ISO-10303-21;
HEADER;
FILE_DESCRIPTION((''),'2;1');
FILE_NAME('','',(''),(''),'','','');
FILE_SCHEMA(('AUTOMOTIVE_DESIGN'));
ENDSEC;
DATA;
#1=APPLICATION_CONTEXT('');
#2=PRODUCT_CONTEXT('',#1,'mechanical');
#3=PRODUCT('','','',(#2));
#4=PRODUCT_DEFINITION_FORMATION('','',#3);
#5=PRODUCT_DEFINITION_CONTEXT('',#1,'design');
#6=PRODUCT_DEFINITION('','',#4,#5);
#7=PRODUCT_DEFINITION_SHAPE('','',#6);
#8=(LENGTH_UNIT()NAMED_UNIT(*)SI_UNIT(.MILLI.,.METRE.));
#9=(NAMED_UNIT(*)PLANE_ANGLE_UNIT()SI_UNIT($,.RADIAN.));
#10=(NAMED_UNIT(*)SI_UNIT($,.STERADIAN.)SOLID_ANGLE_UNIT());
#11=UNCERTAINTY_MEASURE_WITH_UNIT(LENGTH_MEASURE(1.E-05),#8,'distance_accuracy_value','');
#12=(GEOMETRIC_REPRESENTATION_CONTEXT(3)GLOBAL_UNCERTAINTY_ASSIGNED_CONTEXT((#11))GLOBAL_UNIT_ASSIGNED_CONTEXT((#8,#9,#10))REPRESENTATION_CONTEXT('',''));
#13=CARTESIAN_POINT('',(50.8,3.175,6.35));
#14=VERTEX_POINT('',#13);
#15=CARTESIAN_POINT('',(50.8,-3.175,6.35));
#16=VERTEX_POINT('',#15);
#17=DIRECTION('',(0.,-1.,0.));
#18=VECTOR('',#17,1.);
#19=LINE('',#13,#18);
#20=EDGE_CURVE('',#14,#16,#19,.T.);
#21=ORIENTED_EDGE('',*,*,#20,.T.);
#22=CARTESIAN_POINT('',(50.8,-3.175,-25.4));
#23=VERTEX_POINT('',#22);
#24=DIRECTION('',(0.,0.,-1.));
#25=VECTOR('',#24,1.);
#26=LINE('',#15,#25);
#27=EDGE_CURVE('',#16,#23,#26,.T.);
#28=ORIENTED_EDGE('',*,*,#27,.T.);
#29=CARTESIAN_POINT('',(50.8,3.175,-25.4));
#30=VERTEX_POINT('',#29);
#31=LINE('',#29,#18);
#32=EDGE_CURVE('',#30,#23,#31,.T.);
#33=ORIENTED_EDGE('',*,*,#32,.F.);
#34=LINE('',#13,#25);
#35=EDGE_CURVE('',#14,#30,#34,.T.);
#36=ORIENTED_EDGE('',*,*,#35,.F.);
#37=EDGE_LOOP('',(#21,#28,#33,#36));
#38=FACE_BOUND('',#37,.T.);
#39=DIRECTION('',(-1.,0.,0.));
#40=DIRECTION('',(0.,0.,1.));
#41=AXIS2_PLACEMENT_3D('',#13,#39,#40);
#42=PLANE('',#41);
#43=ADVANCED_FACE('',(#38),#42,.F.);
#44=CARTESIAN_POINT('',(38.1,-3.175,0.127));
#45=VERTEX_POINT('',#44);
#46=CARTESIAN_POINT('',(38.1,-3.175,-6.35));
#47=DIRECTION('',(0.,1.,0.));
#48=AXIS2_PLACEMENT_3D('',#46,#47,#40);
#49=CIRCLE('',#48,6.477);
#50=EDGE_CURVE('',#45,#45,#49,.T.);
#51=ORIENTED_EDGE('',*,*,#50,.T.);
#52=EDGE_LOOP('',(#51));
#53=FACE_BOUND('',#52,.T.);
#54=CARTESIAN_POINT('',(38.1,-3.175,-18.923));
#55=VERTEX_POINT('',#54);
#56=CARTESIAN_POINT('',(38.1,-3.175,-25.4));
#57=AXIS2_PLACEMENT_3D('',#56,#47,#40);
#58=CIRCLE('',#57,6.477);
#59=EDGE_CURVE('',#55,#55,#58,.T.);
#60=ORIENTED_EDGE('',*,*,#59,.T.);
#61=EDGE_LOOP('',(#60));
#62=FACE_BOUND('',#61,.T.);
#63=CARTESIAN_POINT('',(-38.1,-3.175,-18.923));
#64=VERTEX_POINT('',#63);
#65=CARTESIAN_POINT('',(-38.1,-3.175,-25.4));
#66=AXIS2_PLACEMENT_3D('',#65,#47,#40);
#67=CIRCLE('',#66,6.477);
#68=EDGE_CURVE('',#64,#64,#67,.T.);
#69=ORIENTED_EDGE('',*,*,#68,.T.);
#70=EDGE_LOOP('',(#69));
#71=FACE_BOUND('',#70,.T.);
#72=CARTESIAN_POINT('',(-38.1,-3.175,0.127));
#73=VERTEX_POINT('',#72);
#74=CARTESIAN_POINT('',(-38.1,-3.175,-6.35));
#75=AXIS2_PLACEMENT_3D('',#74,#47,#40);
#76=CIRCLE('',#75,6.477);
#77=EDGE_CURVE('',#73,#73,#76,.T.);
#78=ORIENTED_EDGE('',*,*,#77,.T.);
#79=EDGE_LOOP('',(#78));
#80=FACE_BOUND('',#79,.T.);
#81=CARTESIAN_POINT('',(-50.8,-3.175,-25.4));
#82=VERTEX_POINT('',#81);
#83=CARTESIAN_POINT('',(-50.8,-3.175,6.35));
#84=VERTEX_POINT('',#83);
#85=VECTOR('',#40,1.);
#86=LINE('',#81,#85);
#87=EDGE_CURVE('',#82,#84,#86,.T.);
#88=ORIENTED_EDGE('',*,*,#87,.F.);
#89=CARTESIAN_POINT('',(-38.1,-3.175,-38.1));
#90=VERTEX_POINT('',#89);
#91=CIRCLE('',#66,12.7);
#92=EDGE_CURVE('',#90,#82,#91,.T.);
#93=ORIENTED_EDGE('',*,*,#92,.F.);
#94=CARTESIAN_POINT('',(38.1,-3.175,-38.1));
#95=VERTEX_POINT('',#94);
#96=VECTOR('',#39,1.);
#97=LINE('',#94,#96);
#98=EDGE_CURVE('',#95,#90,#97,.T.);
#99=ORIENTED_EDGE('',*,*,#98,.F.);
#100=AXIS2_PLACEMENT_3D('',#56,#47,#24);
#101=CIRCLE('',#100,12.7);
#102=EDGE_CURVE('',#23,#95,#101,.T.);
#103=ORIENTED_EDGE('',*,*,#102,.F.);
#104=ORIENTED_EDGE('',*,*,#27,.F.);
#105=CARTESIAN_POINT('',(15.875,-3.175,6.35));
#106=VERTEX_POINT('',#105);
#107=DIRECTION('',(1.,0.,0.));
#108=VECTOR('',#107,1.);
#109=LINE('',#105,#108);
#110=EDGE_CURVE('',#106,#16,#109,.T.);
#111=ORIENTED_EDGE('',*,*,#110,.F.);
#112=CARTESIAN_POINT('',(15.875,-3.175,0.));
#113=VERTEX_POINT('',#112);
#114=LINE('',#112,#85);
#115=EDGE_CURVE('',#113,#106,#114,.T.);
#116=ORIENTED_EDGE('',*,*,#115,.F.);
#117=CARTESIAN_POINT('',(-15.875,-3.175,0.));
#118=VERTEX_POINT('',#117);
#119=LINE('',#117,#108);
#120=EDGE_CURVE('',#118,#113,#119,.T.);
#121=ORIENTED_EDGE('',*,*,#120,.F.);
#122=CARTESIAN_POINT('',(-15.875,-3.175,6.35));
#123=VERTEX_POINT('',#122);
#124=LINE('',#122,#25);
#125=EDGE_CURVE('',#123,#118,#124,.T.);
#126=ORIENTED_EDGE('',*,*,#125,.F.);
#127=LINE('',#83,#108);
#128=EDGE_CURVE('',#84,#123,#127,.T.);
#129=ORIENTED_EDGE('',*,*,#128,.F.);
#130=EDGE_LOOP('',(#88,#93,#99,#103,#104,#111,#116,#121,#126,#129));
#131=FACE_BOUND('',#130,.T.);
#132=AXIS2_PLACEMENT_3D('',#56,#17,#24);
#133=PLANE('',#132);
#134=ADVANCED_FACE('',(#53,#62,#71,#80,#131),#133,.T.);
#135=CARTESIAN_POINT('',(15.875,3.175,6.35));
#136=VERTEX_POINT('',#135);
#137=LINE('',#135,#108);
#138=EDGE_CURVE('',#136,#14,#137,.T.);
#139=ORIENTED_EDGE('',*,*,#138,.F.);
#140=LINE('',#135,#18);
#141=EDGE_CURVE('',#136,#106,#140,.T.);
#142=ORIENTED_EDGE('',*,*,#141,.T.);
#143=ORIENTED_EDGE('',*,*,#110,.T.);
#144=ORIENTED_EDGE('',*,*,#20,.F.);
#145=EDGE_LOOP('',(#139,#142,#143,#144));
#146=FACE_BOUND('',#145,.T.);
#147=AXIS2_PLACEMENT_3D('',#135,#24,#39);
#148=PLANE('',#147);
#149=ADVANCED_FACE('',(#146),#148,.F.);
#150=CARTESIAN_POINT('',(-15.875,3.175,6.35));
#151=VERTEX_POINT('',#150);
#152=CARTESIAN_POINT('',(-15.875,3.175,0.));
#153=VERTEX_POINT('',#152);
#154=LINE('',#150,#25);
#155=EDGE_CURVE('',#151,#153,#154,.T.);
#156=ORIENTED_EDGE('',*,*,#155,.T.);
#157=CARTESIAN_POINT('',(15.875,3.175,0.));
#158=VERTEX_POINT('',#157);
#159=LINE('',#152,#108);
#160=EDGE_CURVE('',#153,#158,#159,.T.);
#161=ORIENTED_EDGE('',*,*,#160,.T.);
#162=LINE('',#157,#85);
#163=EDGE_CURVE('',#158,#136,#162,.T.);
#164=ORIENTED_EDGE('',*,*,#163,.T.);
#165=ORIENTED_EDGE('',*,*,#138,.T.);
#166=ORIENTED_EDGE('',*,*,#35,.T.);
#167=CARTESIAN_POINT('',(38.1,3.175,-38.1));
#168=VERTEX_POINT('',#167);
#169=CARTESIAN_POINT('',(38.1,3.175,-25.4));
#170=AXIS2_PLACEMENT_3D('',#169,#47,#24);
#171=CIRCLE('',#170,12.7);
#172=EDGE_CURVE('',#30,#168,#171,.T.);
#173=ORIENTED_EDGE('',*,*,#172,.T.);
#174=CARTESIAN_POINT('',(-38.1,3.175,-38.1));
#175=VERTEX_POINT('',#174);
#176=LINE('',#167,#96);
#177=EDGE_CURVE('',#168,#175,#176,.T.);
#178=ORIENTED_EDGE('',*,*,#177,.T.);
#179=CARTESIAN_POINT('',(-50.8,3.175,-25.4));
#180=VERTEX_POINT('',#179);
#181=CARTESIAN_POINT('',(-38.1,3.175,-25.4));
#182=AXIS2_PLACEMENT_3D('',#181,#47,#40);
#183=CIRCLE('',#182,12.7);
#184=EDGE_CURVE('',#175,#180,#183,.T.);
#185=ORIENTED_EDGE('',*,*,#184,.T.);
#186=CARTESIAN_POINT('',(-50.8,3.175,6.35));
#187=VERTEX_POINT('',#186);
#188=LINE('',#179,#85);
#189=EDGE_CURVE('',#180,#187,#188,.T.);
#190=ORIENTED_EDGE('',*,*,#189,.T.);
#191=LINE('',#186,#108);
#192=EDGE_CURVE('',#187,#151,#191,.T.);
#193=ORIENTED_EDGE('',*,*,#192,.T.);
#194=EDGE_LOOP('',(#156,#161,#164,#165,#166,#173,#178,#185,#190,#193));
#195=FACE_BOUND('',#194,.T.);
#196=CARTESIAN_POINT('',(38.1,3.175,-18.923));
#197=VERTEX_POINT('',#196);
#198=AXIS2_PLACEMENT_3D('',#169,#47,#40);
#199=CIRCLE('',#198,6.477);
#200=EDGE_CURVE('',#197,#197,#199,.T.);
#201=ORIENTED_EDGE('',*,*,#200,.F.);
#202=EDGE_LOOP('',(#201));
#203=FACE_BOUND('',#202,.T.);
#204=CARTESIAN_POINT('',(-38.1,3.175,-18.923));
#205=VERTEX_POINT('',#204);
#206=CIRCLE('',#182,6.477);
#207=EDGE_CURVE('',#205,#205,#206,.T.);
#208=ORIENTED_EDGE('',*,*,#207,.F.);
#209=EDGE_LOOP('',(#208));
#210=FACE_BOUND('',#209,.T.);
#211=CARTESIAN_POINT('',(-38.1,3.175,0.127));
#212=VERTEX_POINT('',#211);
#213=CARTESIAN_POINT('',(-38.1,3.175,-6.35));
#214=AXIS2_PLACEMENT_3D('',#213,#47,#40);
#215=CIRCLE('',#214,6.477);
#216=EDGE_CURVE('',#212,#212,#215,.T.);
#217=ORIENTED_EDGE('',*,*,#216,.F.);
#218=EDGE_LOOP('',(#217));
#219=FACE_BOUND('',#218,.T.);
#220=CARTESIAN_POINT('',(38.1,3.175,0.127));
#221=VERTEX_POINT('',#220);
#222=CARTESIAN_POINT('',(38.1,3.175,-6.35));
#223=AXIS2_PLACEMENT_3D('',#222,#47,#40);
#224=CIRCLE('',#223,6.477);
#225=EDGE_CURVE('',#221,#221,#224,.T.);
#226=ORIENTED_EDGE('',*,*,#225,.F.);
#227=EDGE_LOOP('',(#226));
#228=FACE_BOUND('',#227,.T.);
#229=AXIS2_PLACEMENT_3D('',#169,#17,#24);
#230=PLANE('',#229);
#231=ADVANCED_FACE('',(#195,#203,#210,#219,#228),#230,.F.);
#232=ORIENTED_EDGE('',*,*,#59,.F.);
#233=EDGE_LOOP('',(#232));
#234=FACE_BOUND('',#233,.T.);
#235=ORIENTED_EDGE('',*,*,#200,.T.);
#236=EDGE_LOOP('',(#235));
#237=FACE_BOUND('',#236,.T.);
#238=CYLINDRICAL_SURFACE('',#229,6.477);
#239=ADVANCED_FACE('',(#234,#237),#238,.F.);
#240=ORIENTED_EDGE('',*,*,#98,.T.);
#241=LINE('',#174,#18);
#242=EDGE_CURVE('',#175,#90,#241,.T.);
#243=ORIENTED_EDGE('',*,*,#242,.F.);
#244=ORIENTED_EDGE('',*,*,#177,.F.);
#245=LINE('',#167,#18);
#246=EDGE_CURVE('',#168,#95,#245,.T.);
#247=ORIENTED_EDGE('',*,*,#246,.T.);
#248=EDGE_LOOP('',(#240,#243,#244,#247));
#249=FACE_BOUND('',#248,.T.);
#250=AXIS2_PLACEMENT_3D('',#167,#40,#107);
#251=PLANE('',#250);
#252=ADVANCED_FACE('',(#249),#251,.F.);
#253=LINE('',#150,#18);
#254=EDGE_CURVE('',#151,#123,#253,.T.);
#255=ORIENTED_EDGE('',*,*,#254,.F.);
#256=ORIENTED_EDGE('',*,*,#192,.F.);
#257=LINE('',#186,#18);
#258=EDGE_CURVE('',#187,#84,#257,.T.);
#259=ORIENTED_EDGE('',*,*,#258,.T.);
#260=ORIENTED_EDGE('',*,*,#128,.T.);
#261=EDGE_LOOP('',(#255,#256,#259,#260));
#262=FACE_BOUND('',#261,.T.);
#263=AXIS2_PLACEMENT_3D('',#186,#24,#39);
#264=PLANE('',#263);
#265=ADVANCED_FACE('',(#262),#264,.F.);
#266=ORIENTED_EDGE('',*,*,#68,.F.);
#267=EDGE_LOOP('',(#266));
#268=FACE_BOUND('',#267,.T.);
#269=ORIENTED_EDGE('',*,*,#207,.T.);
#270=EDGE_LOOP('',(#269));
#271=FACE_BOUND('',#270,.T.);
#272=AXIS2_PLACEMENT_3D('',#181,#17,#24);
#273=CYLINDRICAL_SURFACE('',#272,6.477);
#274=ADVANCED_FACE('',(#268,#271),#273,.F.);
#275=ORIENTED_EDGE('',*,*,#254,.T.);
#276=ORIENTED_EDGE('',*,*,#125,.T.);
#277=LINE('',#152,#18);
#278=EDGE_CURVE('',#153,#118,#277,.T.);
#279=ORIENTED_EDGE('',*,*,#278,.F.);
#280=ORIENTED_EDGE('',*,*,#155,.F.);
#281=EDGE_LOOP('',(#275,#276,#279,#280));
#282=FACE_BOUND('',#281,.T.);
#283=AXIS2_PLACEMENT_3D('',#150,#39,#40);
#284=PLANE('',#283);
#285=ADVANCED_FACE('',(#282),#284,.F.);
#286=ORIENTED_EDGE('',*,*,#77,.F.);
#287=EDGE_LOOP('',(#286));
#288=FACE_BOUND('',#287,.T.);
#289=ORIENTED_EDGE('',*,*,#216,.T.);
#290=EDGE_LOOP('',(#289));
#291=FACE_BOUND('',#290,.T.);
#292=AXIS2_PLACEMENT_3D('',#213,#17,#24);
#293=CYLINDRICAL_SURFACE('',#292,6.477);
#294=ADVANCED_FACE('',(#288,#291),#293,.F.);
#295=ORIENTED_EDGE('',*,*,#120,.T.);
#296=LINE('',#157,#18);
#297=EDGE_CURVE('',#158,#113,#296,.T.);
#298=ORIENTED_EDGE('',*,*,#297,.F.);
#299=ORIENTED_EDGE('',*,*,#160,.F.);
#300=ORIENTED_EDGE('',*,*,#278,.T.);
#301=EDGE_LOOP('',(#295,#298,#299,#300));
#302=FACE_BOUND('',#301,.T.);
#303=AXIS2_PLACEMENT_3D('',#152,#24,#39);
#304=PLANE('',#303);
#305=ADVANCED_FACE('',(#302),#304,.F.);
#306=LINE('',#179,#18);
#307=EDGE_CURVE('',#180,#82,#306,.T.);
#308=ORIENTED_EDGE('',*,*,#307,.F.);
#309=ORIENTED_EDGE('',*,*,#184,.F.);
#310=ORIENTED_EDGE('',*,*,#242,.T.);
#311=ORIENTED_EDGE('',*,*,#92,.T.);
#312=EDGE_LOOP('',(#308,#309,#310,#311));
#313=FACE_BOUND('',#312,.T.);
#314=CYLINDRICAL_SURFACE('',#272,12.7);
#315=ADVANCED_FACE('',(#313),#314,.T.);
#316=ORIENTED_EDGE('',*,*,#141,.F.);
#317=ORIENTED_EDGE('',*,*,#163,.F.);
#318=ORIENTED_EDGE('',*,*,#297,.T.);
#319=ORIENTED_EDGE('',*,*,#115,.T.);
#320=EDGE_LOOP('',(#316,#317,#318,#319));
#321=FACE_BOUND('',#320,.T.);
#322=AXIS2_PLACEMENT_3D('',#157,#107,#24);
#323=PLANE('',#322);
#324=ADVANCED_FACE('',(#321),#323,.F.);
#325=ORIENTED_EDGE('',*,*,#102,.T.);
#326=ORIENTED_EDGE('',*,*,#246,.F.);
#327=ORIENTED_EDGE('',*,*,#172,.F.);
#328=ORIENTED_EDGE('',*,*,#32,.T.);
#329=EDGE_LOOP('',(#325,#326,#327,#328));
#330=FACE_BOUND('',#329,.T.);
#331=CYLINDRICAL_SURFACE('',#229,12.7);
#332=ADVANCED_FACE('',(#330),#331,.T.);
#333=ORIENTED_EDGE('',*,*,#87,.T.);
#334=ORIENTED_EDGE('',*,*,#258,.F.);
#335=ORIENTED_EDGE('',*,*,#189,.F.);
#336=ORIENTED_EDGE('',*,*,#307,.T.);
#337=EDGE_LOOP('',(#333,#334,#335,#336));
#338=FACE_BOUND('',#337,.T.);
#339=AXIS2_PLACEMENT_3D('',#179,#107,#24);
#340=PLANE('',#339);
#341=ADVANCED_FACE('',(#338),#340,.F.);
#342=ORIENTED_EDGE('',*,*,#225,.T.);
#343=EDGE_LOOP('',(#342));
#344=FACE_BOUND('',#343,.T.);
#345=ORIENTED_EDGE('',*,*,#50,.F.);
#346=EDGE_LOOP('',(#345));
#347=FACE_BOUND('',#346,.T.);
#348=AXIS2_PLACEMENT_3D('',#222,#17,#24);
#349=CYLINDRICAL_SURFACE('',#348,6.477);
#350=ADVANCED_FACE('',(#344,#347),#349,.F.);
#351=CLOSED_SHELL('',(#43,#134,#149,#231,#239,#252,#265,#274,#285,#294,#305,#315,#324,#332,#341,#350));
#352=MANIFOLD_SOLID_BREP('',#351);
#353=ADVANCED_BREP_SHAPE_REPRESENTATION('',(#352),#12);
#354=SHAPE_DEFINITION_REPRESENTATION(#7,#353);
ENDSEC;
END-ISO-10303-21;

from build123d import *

# Parameters (mm, degrees)
SKETCH1_R           = 6.477
BOSS_EXTRUDE1_DEPTH = 3.175


with BuildPart() as part:
    # Sketch1 → Boss-Extrude1 (new, symmetric)
    with BuildSketch(Plane(origin=(0, 0, 0), x_dir=(1, 0, 0), z_dir=(0, 1, 0))):
        with BuildLine():
            Line((38.1, 38.1), (-38.1, 38.1))
            ThreePointArc((-38.1, 38.1), (-47.080256121, 34.380256121), (-50.8, 25.4))
            Line((-50.8, 25.4), (-50.8, -6.35))
            Line((-50.8, -6.35), (-15.875, -6.35))
            Line((-15.875, -6.35), (-15.875, 0))
            Line((-15.875, 0), (15.875, 0))
            Line((15.875, 0), (15.875, -6.35))
            Line((15.875, -6.35), (50.8, -6.35))
            Line((50.8, -6.35), (50.8, 25.4))
            ThreePointArc((50.8, 25.4), (47.080256121, 34.380256121), (38.1, 38.1))
        make_face()
        with Locations(Location((-38.1, 25.4, 0), (0, 0, 270))):
            Circle(SKETCH1_R, mode=Mode.SUBTRACT)
        with Locations(Location((-38.1, 6.35, 0), (0, 0, 270))):
            Circle(SKETCH1_R, mode=Mode.SUBTRACT)
        with Locations(Location((38.1, 25.4, 0), (0, 0, 270))):
            Circle(SKETCH1_R, mode=Mode.SUBTRACT)
        with Locations(Location((38.1, 6.35, 0), (0, 0, 270))):
            Circle(SKETCH1_R, mode=Mode.SUBTRACT)
    extrude(amount=BOSS_EXTRUDE1_DEPTH, both=True)


solid = part.part
